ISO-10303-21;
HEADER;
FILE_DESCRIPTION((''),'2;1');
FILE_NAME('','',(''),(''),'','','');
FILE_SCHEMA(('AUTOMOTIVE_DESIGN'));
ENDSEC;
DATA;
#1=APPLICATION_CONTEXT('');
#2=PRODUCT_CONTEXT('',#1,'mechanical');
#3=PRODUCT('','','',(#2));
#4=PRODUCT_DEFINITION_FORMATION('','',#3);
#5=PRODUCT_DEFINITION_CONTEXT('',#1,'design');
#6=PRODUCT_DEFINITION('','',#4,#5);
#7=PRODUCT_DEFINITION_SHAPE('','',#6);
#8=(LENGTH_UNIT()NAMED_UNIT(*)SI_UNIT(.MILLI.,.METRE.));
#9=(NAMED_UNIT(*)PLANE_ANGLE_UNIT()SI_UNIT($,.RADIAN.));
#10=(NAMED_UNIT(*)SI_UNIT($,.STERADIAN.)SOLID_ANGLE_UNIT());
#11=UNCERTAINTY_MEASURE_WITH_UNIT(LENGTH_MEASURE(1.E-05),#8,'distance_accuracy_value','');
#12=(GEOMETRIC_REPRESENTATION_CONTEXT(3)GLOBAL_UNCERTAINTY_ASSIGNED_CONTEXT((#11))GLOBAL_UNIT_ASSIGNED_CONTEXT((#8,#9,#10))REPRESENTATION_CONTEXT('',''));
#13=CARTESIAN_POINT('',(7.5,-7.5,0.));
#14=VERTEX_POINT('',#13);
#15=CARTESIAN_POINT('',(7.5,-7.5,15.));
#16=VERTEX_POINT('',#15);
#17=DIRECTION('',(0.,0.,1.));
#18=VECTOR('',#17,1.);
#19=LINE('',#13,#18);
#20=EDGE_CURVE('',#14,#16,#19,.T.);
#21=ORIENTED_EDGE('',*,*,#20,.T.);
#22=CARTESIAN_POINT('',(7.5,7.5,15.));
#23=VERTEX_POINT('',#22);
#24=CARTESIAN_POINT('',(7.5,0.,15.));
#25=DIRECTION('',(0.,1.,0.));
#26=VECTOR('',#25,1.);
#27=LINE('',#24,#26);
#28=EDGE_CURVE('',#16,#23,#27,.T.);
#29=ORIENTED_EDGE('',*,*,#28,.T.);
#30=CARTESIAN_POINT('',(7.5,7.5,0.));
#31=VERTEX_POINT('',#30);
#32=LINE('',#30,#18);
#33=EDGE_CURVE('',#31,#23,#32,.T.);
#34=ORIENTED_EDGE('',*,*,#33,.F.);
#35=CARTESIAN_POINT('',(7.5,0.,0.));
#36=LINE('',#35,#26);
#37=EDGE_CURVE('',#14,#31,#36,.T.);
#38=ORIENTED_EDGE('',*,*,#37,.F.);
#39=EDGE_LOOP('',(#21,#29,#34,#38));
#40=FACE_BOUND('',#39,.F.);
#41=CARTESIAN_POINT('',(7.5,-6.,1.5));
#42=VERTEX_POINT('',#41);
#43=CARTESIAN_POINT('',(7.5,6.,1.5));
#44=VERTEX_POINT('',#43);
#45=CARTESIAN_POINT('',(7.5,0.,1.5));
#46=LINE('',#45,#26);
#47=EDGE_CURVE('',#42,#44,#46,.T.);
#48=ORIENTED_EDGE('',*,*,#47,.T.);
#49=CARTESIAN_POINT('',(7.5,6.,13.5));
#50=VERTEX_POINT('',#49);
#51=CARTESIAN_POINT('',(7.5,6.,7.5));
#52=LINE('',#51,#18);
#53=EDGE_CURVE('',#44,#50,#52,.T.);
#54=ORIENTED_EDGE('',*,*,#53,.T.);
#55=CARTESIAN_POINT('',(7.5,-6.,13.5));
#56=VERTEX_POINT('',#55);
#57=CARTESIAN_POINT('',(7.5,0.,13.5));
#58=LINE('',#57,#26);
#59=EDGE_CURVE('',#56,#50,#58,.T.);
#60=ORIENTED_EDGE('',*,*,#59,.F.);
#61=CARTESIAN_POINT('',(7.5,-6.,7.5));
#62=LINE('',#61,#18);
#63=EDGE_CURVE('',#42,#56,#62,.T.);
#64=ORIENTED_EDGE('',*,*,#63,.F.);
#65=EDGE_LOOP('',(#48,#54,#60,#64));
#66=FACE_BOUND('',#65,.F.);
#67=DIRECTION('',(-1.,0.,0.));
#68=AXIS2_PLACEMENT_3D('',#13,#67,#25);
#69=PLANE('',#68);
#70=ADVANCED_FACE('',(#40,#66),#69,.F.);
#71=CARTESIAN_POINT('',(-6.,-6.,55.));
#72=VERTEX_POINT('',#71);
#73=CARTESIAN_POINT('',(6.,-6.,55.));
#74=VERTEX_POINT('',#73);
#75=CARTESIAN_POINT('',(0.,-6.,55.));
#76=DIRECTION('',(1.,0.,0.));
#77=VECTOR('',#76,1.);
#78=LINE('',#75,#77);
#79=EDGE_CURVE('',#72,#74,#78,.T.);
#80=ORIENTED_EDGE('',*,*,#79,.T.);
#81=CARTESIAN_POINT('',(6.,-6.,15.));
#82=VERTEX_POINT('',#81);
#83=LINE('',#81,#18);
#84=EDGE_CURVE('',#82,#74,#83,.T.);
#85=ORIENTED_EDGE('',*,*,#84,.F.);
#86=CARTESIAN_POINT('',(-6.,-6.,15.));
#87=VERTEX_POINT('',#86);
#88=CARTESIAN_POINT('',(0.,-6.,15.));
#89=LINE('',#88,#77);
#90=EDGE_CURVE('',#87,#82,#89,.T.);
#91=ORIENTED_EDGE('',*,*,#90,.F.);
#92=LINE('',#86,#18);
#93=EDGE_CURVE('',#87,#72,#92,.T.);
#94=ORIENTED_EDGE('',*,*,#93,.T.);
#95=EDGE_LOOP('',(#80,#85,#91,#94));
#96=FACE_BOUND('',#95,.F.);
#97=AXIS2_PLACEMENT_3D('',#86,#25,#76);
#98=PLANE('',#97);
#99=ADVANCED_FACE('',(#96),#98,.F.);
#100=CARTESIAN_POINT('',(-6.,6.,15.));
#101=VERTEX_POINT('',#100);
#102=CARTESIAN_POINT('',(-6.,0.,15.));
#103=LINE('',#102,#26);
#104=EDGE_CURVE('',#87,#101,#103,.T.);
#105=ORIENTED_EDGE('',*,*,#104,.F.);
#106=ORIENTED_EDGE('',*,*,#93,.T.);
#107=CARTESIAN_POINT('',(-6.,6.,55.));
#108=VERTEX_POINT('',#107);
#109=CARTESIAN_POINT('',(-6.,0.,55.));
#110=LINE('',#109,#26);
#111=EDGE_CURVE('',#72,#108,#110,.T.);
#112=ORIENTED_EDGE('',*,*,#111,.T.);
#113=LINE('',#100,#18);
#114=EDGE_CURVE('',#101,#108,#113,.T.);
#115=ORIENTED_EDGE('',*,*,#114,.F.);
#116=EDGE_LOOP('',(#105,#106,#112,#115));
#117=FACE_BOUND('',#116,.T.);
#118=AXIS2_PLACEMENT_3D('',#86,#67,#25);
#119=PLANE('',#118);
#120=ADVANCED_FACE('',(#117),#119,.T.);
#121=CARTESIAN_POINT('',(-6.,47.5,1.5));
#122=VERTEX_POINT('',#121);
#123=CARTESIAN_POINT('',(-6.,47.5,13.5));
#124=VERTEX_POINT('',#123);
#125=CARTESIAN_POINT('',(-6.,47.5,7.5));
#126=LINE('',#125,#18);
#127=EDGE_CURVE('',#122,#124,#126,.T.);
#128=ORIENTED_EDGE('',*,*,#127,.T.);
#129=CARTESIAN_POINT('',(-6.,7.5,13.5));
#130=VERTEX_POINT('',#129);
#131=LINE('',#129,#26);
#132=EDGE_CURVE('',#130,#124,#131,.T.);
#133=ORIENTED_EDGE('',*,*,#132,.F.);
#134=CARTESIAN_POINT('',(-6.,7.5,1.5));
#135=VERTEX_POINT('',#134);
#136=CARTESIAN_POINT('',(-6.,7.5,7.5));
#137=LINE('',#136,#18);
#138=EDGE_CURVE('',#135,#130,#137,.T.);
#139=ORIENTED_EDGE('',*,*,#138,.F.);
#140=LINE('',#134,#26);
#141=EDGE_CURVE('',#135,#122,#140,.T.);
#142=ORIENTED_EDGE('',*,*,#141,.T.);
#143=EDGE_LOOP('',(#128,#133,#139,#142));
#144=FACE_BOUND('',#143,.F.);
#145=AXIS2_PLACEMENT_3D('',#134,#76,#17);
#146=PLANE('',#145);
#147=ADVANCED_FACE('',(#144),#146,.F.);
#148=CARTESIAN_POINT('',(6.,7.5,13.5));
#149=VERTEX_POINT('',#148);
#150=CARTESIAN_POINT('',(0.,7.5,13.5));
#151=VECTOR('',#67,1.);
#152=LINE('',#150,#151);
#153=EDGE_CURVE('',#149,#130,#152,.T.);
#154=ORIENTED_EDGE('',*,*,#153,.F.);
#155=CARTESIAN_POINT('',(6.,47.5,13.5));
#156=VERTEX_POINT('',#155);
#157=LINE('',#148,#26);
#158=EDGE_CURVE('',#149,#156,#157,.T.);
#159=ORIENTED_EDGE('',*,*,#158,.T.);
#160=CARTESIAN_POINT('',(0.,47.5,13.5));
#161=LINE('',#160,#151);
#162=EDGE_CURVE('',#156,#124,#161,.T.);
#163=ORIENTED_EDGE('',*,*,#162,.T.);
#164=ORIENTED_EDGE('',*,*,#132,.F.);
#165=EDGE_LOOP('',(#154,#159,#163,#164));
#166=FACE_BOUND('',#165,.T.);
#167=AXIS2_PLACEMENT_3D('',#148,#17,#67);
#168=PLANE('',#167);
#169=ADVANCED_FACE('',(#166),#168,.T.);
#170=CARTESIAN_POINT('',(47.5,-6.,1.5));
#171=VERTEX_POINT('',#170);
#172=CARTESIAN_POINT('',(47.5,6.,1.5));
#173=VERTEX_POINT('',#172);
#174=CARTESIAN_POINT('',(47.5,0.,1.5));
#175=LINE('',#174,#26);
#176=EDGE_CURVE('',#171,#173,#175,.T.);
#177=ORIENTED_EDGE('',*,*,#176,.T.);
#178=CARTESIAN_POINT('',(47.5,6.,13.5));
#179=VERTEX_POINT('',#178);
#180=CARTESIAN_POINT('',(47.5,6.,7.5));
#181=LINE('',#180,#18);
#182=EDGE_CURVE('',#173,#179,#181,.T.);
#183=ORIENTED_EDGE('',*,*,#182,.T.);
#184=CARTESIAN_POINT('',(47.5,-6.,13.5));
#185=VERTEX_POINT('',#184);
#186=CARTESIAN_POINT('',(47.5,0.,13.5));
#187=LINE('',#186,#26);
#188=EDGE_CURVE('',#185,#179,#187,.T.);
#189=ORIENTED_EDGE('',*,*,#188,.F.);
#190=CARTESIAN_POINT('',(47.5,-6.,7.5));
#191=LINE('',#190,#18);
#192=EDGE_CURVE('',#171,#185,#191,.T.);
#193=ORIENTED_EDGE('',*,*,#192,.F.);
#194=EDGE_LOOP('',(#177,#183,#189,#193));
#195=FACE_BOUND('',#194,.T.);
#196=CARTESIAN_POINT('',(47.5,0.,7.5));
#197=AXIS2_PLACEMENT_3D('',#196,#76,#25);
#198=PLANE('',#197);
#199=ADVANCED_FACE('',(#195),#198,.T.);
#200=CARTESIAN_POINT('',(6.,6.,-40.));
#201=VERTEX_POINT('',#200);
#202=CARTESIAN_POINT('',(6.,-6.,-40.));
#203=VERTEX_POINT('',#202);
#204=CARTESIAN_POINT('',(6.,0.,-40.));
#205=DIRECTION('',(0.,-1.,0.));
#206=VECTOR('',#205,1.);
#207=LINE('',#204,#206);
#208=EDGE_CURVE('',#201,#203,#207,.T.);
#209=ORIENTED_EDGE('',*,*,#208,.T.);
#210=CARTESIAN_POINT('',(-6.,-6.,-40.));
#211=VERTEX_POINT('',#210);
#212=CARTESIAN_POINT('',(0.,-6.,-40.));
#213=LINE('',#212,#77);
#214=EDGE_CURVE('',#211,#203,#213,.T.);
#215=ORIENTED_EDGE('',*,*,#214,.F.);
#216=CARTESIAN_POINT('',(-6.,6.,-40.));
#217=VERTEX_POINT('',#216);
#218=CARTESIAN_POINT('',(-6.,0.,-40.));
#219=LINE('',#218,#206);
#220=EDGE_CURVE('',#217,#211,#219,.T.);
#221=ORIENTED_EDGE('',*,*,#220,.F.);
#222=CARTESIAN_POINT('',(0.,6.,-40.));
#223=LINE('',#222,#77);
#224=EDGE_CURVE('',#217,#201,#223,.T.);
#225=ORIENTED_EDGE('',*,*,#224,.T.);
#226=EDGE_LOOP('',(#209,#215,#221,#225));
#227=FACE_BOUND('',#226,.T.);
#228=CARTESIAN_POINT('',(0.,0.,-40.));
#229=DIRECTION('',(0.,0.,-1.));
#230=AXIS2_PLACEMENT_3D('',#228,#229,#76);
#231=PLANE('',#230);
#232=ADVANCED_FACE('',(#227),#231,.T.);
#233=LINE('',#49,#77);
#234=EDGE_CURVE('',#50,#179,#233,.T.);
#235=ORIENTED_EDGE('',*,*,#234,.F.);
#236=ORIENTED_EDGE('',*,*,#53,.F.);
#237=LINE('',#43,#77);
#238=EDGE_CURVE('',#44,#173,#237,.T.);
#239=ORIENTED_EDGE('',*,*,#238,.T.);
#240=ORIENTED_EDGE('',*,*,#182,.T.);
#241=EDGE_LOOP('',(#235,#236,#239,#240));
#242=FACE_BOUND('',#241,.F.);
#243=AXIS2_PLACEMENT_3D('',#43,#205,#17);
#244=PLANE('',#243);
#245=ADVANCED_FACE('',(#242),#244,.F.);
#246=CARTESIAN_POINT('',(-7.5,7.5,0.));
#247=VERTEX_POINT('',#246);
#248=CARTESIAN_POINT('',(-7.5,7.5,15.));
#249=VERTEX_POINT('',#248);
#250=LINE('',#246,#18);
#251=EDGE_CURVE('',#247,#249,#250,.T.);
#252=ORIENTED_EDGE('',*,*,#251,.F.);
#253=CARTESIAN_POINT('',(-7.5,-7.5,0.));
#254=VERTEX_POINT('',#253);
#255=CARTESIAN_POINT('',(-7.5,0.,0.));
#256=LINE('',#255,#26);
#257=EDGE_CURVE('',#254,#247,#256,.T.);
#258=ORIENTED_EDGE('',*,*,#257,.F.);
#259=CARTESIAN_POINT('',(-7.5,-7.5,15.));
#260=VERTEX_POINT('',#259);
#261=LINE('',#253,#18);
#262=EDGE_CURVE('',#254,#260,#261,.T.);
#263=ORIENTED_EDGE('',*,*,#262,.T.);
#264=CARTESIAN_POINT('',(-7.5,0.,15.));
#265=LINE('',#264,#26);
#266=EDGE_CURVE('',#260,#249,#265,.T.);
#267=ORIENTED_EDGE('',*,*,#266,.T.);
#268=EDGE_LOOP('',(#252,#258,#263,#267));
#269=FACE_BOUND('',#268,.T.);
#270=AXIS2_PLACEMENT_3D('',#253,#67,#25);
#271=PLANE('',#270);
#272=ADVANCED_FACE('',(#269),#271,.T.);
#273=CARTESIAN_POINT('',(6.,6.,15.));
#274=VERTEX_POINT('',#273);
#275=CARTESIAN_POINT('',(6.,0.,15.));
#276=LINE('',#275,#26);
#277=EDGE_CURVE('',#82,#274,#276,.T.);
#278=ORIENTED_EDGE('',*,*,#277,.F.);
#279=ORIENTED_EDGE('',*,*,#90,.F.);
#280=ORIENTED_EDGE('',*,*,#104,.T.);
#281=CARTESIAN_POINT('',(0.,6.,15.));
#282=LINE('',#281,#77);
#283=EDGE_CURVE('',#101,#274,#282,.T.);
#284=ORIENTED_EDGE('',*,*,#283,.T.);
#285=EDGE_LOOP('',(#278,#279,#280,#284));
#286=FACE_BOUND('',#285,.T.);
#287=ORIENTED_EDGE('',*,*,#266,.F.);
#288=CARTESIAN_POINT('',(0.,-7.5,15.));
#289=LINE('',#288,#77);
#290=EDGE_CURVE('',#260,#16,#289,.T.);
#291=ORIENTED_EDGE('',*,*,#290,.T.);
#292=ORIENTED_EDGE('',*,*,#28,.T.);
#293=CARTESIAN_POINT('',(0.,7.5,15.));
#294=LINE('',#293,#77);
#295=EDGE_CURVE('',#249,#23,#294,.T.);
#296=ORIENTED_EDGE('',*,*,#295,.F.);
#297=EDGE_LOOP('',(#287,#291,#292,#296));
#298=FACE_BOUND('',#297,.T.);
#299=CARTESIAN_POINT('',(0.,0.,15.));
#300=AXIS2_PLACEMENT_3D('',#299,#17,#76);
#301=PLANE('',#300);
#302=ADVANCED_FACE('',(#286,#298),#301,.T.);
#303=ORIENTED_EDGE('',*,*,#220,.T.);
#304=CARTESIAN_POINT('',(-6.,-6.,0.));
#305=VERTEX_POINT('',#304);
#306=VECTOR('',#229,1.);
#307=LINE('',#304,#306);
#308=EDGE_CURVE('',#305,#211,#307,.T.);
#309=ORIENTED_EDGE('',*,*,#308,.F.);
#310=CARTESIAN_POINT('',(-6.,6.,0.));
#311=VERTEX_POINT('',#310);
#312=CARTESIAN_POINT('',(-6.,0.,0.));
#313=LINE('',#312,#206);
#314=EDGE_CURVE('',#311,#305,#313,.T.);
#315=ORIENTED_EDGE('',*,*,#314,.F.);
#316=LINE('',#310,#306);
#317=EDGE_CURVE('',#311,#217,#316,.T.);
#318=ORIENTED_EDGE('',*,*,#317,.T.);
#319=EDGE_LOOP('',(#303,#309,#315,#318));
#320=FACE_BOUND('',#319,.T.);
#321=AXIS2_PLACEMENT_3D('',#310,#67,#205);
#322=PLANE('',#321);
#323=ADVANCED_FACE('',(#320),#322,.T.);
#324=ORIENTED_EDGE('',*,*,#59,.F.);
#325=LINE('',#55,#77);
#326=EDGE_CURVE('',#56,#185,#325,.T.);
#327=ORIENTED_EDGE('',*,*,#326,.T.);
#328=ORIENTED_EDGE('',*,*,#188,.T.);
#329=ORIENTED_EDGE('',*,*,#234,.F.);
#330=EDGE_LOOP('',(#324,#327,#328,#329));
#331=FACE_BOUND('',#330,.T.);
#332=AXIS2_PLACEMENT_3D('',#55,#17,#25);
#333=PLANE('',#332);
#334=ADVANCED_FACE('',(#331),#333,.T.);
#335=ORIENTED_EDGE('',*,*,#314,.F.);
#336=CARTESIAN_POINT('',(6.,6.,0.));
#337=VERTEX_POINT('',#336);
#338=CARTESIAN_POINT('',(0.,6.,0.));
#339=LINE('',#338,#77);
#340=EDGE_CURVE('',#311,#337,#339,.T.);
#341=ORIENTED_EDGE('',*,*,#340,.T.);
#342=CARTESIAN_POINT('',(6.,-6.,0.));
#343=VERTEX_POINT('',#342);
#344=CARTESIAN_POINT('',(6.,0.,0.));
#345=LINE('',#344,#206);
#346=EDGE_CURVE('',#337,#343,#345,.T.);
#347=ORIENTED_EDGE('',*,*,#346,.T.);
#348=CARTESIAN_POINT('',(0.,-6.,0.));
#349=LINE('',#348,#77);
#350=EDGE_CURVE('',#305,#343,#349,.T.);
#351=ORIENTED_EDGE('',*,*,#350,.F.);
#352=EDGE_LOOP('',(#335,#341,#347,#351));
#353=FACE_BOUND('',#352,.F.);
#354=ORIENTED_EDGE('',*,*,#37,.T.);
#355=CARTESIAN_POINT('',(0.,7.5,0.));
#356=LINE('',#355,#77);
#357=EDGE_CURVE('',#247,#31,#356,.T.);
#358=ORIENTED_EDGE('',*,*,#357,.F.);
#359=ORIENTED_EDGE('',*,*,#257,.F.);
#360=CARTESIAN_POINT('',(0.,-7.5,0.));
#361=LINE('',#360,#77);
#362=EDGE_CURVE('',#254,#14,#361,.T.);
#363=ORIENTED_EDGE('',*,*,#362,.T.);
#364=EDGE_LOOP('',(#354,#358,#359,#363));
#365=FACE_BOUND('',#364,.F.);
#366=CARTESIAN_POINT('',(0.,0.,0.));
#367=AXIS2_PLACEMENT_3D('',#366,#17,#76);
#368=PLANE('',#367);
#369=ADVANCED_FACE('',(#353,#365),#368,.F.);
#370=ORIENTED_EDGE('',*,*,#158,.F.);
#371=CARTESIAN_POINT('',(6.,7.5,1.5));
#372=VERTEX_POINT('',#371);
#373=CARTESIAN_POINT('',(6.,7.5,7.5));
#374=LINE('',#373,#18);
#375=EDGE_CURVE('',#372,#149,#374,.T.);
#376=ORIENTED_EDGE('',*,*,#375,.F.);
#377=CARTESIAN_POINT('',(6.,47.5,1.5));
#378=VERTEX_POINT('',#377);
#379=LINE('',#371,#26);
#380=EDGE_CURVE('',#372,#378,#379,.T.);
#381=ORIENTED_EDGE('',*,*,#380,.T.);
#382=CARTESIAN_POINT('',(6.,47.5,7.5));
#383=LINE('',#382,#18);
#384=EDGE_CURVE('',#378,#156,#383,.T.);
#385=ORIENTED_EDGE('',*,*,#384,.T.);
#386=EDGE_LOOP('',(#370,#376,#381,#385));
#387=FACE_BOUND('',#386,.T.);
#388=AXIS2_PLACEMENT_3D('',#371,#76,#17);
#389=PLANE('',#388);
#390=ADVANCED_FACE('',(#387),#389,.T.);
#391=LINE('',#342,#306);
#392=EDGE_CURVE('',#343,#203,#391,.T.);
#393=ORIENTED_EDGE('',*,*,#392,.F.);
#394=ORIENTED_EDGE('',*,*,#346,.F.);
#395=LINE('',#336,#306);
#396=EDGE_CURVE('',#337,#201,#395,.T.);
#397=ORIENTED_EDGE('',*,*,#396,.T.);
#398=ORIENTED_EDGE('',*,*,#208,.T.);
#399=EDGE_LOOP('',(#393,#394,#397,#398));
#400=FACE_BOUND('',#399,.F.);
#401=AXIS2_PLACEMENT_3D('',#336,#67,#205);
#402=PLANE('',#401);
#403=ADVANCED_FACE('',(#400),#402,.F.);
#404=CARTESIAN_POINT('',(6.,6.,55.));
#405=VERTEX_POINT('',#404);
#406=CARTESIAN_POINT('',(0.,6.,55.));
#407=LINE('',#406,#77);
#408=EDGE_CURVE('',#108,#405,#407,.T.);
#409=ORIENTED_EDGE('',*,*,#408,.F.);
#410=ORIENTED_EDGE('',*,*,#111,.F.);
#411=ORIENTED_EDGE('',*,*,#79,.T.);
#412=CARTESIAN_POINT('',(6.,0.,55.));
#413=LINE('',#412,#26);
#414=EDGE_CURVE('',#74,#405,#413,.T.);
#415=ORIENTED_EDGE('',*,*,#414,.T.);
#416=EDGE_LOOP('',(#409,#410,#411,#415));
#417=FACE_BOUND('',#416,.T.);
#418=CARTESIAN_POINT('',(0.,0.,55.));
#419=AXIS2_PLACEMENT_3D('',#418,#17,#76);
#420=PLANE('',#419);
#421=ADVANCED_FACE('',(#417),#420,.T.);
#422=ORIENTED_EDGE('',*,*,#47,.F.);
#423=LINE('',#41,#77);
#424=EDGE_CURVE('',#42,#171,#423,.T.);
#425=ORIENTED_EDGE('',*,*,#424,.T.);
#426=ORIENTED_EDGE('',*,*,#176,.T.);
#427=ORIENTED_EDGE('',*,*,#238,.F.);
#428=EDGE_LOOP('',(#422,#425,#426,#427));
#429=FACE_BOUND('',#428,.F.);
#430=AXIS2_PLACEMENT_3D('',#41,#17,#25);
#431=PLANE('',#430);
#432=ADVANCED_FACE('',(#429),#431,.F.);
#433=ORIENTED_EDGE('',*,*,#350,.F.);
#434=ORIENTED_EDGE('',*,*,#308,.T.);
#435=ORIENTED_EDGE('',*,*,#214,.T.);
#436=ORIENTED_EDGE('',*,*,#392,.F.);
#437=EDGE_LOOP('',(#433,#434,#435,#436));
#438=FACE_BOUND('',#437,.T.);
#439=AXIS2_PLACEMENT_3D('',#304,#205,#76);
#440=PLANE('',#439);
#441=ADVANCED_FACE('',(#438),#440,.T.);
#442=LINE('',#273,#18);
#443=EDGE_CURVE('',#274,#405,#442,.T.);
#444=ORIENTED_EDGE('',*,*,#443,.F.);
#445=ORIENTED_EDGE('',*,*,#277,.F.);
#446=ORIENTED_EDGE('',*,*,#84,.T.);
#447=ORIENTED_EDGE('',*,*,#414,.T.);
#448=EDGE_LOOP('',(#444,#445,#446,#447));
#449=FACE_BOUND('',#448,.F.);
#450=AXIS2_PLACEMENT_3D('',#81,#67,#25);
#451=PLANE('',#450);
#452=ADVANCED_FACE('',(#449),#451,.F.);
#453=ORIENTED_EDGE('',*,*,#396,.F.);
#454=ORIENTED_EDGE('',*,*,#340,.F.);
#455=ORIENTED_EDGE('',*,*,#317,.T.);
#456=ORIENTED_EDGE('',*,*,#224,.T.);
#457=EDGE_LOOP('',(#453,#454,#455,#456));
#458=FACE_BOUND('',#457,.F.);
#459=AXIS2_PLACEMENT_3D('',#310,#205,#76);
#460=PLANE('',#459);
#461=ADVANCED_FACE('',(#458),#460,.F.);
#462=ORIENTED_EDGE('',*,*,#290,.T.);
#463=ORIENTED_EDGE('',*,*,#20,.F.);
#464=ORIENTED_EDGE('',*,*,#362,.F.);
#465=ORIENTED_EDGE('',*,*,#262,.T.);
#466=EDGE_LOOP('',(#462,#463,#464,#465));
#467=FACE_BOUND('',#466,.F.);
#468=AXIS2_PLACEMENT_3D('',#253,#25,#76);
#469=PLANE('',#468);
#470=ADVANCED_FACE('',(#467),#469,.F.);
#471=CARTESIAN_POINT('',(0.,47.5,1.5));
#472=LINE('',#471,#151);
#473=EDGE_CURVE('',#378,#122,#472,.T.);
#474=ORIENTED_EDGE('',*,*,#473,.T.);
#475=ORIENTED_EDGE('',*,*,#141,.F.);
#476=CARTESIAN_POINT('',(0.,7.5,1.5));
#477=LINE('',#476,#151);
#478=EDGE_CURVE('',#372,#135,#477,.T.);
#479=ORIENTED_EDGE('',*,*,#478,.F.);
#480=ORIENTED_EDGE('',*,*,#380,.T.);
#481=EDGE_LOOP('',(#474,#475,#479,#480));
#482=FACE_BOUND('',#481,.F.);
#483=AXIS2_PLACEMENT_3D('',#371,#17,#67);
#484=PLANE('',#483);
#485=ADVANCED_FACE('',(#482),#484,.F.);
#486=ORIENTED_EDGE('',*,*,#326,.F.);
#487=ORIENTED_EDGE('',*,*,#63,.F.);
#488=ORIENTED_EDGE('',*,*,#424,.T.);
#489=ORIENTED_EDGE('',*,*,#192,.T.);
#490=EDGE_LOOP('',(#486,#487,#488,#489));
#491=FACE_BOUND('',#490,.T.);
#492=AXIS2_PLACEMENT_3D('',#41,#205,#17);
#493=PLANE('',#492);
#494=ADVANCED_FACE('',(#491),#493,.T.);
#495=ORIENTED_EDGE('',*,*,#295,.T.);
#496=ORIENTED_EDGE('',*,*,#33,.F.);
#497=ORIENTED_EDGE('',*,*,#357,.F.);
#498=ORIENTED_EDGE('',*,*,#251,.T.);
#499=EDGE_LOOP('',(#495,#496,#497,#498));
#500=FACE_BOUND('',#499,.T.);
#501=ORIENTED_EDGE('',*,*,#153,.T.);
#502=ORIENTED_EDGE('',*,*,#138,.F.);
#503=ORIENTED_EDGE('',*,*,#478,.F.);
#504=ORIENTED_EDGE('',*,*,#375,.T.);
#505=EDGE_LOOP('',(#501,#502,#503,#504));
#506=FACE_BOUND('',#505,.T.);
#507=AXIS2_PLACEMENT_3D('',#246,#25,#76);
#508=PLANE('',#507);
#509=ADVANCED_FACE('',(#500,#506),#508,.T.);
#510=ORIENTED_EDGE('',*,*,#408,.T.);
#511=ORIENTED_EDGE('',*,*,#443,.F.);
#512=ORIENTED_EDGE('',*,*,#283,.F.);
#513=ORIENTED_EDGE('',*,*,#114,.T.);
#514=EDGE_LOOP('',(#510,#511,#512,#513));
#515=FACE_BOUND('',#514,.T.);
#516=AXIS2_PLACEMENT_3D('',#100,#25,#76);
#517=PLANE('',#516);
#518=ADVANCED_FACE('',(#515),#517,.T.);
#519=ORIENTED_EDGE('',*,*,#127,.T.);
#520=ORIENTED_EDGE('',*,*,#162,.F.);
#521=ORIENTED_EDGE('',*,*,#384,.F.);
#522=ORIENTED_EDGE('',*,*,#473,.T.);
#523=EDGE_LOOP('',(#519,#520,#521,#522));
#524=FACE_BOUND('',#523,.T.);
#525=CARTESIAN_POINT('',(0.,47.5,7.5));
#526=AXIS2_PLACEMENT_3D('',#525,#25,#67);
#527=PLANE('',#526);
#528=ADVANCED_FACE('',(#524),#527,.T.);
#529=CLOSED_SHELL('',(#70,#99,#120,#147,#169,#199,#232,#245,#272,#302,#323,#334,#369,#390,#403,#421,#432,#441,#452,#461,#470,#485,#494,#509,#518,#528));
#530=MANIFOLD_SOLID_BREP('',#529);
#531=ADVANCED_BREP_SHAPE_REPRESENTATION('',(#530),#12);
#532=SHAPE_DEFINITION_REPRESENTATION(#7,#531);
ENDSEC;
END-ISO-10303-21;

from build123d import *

# Parameters (mm, degrees)
SKETCH_W     = 15
SKETCH_H     = 15
PAD_DEPTH    = 15
SKETCH001_W  = 12
SKETCH001_H  = 12
PAD001_DEPTH = 40
SKETCH003_W  = 12
SKETCH003_H  = 12
PAD003_DEPTH = 40
SKETCH002_W  = 12
SKETCH002_H  = 12
PAD002_DEPTH = 40
SKETCH004_W  = 12
SKETCH004_H  = 12
PAD004_DEPTH = 40


with BuildPart() as pad001:
    # Sketch → Pad (new body)
    with BuildSketch(Plane.XY):
        Rectangle(SKETCH_W, SKETCH_H)
    extrude(amount=PAD_DEPTH)

    # Sketch001 → Pad001 (new body)
    with BuildSketch(Plane.XY.offset(15)):
        Rectangle(SKETCH001_W, SKETCH001_H)
    extrude(amount=PAD001_DEPTH)


with BuildPart() as pad003:
    # Pad003 base: copy of Pad001
    add(pad001.part)

    # Sketch003 → Pad003 (new body)
    with BuildSketch(Plane(origin=(0, 0, 0), x_dir=(1, 0, 0), z_dir=(0, 0, -1))):
        Rectangle(SKETCH003_W, SKETCH003_H)
    extrude(amount=PAD003_DEPTH)


with BuildPart() as fusion:
    # Pad002 base: copy of Pad001
    add(pad001.part)

    # Sketch002 → Pad002 (new body)
    with BuildSketch(Plane(origin=(0, 7.5, 0), x_dir=(-1, 0, 0), z_dir=(0, 1, 0))):
        with Locations((0, 7.5)):
            Rectangle(SKETCH002_W, SKETCH002_H)
    extrude(amount=PAD002_DEPTH)

    # Sketch004 → Pad004 (new body)
    with BuildSketch(Plane.YZ.offset(7.5)):
        with Locations((0, 7.5)):
            Rectangle(SKETCH004_W, SKETCH004_H)
    extrude(amount=PAD004_DEPTH)

    # Fusion: union Pad003
    add(pad003.part)


solid = fusion.part
